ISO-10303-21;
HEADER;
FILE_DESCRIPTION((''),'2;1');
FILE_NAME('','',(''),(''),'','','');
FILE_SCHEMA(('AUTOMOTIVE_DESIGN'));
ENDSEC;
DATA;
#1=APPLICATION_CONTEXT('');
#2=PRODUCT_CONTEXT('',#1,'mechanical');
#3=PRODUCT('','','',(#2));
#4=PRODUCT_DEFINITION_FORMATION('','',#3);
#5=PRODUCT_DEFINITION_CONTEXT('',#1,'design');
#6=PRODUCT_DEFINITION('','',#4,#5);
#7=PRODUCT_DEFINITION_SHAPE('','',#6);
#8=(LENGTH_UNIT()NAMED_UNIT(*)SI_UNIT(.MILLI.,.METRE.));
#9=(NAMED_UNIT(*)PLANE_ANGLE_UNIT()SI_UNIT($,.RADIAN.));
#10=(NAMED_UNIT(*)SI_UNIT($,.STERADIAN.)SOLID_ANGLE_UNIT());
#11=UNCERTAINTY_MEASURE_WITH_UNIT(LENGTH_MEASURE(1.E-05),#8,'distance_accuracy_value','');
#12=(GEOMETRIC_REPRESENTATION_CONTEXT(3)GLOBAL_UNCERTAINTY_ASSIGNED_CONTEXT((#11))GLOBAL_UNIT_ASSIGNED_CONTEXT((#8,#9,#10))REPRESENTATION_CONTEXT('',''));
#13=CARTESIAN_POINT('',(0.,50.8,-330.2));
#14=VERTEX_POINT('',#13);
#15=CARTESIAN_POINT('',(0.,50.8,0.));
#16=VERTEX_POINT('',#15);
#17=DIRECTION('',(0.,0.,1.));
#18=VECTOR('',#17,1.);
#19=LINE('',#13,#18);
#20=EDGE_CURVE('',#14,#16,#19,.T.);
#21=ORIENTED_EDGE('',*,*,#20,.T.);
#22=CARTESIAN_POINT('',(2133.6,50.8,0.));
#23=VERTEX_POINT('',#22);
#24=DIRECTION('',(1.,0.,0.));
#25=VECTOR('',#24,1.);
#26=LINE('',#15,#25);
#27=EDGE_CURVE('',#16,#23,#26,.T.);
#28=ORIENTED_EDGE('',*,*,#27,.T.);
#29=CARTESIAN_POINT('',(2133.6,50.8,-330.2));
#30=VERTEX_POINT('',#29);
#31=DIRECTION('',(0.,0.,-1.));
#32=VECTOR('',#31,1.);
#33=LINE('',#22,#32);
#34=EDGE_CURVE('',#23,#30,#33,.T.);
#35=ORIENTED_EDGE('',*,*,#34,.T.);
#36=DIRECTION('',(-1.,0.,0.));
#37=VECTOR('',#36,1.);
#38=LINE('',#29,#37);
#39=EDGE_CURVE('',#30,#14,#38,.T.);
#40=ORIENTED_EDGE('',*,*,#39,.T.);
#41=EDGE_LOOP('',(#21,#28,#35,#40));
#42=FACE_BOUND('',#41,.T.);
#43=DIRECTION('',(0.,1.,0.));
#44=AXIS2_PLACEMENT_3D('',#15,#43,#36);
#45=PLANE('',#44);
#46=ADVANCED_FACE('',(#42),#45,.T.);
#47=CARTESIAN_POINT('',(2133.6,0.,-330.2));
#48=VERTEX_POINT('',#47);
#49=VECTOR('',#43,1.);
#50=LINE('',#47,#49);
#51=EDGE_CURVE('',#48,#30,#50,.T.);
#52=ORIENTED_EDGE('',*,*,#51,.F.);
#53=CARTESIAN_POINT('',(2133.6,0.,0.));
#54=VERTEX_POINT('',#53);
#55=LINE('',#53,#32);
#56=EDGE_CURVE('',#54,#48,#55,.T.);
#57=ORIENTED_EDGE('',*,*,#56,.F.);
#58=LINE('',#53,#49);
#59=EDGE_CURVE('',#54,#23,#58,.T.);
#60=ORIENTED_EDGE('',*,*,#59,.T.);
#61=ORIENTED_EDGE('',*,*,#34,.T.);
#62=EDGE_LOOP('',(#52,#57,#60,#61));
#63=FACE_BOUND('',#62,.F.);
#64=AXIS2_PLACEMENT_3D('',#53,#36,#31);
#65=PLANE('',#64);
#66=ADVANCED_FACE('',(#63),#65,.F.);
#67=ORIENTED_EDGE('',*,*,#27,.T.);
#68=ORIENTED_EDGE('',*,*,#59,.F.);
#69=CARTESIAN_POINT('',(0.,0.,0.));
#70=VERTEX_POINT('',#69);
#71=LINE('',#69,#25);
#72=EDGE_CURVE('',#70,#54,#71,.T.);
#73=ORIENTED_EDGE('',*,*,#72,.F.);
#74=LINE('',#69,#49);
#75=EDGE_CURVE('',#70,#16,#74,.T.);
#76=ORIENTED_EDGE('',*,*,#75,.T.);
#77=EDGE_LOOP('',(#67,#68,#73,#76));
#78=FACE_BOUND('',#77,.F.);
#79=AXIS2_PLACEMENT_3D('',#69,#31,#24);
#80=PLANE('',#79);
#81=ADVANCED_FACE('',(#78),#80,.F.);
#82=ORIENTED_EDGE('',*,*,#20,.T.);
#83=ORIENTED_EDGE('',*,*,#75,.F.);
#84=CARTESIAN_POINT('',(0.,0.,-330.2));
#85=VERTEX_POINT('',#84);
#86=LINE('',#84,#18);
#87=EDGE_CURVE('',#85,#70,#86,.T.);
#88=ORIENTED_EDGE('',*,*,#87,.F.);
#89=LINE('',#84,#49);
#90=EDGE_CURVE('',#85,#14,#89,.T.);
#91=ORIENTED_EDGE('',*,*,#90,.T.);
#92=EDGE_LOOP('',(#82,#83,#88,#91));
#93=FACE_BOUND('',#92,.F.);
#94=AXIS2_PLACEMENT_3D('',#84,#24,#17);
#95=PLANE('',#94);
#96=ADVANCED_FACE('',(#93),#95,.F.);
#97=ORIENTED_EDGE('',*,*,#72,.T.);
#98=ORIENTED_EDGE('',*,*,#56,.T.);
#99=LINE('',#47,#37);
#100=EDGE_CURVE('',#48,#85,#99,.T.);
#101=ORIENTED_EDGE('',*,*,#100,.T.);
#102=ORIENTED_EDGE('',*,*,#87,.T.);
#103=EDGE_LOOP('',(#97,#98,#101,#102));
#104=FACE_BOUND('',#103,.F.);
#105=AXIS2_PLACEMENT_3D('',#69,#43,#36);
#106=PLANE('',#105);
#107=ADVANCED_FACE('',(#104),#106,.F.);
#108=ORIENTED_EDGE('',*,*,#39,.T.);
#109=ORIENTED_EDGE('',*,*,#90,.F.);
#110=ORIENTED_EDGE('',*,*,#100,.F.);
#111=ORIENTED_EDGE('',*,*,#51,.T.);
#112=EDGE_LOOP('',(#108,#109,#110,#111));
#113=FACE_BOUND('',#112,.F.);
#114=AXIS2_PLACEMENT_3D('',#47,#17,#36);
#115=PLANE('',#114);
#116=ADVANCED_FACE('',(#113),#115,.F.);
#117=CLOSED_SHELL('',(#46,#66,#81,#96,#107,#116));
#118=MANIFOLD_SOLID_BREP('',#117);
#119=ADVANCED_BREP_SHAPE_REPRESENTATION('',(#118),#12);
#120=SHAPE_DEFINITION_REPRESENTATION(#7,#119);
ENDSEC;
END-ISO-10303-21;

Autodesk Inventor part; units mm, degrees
ref_plane "YZ Plane" through (0, 0, 0) normal (1, 0, 0) x (0, 1, 0)
ref_plane "XZ Plane" through (0, 0, 0) normal (0, 1, 0) x (-1, 0, 0)
ref_plane "XY Plane" through (0, 0, 0) normal (0, 0, 1) x (1, 0, 0)
sketch "Sketch2" plane through (0, 0, 0) normal (0, 1, 0) x (-1, 0, 0)
  line L0 (0, 0) -> (-2133.6, 0)
  line L1 (-2133.6, 0) -> (-2133.6, -330.2)
  line L2 (-2133.6, -330.2) -> (0, -330.2)
  line L3 (0, -330.2) -> (0, 0)
  dimension "d3" = 2133.6
  dimension "d4" = 330.2
extrude "Extrusion1" add sketch "Sketch2" along normal blind 50.8
properties part number "13x84 - 13"
